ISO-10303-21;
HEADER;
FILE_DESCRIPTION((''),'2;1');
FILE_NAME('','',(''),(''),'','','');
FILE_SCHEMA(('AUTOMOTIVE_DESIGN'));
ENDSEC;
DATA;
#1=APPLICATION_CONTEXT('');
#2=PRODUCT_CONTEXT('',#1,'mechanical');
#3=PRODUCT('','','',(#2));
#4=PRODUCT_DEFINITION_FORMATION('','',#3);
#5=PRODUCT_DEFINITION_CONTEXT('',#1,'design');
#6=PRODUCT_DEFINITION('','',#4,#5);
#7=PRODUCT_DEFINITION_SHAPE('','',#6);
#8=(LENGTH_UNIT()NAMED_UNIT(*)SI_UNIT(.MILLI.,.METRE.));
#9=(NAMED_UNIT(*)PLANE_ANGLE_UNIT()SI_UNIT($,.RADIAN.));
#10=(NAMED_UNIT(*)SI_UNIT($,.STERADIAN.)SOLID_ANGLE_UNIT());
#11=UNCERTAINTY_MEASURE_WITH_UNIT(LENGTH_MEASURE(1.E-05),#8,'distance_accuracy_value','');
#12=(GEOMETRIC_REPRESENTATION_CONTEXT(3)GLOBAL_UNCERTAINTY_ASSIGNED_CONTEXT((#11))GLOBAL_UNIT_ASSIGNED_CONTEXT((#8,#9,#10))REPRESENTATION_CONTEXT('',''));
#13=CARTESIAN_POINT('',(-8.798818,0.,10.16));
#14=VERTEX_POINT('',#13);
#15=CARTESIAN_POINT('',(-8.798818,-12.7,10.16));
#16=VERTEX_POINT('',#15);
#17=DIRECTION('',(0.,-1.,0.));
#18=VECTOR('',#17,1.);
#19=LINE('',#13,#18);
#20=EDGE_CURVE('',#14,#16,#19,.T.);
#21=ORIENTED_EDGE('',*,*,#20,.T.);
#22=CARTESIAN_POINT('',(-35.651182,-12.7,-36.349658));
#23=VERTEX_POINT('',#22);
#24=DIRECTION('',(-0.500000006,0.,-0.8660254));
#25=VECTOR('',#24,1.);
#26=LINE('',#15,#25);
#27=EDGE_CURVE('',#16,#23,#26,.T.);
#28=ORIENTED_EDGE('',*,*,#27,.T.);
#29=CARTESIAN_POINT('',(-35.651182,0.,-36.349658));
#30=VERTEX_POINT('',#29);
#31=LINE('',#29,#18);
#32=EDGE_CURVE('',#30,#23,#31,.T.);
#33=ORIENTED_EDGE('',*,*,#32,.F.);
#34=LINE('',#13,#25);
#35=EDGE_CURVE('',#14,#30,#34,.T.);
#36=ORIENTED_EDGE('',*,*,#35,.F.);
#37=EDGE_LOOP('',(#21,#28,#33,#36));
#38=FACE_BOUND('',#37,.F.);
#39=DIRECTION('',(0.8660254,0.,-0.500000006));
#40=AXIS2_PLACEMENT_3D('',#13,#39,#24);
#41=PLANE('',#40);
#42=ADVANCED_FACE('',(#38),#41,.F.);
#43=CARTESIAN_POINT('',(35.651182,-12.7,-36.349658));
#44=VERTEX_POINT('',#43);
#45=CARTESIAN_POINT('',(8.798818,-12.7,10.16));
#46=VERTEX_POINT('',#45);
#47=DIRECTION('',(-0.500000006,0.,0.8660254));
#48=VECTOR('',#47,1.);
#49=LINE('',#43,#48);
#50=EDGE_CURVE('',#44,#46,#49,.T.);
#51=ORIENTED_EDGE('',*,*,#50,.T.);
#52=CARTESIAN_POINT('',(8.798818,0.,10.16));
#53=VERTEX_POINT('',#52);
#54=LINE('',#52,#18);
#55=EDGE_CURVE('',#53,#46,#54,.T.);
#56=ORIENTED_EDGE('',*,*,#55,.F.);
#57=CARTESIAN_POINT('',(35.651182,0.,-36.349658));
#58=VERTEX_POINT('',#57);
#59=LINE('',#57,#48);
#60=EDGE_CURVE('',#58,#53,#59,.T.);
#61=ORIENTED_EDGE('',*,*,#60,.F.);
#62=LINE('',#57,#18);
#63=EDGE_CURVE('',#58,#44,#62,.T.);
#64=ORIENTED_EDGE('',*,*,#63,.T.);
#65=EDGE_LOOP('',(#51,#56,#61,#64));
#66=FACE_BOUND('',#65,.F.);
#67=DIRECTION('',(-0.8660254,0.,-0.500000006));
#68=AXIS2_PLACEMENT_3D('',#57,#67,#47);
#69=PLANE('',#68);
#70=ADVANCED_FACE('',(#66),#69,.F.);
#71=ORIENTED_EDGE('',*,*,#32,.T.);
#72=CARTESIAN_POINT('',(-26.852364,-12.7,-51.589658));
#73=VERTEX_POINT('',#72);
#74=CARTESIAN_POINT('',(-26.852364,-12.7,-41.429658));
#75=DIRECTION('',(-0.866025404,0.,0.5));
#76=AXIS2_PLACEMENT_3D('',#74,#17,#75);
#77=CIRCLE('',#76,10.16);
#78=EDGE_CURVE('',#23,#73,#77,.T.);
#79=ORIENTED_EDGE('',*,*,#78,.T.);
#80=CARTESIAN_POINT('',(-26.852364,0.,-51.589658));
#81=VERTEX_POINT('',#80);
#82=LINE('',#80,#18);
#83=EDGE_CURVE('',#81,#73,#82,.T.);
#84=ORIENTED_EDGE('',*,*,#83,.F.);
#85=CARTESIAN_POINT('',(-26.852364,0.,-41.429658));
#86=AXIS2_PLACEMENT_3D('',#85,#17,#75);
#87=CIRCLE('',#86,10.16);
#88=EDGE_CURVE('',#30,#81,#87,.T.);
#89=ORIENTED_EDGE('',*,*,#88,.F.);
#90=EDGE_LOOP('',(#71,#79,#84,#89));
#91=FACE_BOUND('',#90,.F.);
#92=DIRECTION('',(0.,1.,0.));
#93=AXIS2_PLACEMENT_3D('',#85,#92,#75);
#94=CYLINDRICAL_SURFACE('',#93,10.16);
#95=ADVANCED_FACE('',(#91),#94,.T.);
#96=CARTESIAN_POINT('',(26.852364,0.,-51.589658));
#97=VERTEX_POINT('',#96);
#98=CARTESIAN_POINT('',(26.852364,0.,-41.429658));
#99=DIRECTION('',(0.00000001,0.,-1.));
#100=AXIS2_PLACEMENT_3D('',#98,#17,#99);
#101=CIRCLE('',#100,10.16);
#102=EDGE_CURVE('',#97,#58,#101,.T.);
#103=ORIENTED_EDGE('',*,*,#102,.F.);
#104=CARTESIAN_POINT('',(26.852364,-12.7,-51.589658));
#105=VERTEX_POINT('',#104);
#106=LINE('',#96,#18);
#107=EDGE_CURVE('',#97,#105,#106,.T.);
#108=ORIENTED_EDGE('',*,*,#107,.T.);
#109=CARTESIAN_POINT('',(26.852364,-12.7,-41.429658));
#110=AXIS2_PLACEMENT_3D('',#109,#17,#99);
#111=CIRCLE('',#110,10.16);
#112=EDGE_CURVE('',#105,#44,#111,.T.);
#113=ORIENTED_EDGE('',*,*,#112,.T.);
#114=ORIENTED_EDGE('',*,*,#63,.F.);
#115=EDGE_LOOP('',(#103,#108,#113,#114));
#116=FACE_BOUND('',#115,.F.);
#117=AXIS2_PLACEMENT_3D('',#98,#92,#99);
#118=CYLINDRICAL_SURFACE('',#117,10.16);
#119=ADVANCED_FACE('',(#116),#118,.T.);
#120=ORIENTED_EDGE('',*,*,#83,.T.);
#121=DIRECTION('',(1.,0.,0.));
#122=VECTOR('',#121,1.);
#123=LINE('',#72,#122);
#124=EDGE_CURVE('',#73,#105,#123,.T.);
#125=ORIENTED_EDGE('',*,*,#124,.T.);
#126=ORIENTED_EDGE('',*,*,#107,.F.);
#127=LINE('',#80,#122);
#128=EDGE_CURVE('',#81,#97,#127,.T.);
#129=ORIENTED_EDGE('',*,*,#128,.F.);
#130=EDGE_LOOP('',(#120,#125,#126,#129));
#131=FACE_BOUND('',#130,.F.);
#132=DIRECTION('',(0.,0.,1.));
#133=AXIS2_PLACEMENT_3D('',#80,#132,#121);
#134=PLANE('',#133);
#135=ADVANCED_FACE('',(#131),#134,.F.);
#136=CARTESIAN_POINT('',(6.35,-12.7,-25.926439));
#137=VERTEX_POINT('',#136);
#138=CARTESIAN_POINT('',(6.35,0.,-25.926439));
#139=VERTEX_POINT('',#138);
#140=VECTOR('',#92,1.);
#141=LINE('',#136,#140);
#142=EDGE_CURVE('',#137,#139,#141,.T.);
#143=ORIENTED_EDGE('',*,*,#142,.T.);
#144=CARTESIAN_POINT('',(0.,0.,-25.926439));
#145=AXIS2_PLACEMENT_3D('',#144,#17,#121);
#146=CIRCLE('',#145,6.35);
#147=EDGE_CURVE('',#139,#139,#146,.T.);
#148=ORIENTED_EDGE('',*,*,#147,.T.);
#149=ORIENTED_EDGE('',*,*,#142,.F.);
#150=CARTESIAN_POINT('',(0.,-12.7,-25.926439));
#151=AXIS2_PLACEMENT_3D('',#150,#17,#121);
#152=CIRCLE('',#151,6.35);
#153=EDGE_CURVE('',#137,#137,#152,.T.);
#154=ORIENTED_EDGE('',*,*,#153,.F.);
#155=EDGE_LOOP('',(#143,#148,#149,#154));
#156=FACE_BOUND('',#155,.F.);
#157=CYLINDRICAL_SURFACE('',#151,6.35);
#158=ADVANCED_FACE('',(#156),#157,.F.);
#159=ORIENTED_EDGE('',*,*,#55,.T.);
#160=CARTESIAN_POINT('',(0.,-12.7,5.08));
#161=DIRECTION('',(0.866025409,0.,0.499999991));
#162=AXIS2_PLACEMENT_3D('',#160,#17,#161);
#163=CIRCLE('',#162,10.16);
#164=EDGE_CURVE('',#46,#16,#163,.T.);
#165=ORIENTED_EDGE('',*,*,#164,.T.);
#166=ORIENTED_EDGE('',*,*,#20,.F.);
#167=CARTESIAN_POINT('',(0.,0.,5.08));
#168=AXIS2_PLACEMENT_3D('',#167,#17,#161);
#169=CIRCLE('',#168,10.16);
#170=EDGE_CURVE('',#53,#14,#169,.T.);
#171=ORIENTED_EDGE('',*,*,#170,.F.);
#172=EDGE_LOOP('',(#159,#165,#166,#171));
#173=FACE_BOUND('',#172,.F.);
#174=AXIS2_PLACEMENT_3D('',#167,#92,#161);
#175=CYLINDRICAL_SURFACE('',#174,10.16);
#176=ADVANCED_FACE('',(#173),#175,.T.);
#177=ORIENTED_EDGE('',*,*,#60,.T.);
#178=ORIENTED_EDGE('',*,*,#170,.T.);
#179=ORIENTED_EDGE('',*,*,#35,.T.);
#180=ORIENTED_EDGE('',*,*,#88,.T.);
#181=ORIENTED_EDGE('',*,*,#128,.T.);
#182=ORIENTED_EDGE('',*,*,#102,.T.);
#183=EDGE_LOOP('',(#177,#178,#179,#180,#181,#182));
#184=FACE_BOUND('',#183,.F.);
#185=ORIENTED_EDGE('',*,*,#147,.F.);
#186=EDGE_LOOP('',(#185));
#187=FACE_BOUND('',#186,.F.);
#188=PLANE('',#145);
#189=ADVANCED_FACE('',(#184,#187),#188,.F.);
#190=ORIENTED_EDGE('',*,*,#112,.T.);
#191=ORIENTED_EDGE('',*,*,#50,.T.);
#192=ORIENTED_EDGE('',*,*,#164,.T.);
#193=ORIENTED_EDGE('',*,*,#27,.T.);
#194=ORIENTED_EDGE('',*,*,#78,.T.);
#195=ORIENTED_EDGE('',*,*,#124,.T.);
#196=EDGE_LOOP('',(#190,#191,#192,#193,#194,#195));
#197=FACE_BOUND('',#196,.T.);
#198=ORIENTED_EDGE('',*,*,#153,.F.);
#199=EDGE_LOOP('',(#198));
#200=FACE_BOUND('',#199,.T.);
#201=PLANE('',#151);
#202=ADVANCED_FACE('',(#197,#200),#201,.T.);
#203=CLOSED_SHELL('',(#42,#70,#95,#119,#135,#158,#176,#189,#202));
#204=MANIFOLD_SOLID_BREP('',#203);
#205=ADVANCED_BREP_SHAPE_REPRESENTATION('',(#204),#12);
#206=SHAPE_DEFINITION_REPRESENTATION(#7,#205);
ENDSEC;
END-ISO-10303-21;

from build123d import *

# Parameters (mm, degrees)
F1_DEPTH = 12.7
F2_R     = 6.35
F3_DEPTH = 25.4


with BuildPart() as f1:
    # F0 (on Front) → F1 (new body)
    with BuildSketch(Plane.XZ):
        with BuildLine():
            ThreePointArc((8.798818, 10.16), (0, 15.24), (-8.798818, 10.16))
            Line((-8.798818, 10.16), (-35.651182, -36.349658))
            ThreePointArc((-35.651182, -36.349658), (-35.651182, -46.509658), (-26.852364, -51.589658))
            Line((-26.852364, -51.589658), (26.852364, -51.589658))
            ThreePointArc((26.852364, -51.589658), (35.651182, -46.509658), (35.651182, -36.349658))
            Line((35.651182, -36.349658), (8.798818, 10.16))
        make_face()
    extrude(amount=F1_DEPTH)

    # F2 (on face) → F3 (cut)
    with BuildSketch(Plane.XZ.offset(12.7)):
        with Locations((0, -25.926439)):
            Circle(F2_R)
    extrude(amount=-F3_DEPTH, mode=Mode.SUBTRACT)


solid = f1.part
